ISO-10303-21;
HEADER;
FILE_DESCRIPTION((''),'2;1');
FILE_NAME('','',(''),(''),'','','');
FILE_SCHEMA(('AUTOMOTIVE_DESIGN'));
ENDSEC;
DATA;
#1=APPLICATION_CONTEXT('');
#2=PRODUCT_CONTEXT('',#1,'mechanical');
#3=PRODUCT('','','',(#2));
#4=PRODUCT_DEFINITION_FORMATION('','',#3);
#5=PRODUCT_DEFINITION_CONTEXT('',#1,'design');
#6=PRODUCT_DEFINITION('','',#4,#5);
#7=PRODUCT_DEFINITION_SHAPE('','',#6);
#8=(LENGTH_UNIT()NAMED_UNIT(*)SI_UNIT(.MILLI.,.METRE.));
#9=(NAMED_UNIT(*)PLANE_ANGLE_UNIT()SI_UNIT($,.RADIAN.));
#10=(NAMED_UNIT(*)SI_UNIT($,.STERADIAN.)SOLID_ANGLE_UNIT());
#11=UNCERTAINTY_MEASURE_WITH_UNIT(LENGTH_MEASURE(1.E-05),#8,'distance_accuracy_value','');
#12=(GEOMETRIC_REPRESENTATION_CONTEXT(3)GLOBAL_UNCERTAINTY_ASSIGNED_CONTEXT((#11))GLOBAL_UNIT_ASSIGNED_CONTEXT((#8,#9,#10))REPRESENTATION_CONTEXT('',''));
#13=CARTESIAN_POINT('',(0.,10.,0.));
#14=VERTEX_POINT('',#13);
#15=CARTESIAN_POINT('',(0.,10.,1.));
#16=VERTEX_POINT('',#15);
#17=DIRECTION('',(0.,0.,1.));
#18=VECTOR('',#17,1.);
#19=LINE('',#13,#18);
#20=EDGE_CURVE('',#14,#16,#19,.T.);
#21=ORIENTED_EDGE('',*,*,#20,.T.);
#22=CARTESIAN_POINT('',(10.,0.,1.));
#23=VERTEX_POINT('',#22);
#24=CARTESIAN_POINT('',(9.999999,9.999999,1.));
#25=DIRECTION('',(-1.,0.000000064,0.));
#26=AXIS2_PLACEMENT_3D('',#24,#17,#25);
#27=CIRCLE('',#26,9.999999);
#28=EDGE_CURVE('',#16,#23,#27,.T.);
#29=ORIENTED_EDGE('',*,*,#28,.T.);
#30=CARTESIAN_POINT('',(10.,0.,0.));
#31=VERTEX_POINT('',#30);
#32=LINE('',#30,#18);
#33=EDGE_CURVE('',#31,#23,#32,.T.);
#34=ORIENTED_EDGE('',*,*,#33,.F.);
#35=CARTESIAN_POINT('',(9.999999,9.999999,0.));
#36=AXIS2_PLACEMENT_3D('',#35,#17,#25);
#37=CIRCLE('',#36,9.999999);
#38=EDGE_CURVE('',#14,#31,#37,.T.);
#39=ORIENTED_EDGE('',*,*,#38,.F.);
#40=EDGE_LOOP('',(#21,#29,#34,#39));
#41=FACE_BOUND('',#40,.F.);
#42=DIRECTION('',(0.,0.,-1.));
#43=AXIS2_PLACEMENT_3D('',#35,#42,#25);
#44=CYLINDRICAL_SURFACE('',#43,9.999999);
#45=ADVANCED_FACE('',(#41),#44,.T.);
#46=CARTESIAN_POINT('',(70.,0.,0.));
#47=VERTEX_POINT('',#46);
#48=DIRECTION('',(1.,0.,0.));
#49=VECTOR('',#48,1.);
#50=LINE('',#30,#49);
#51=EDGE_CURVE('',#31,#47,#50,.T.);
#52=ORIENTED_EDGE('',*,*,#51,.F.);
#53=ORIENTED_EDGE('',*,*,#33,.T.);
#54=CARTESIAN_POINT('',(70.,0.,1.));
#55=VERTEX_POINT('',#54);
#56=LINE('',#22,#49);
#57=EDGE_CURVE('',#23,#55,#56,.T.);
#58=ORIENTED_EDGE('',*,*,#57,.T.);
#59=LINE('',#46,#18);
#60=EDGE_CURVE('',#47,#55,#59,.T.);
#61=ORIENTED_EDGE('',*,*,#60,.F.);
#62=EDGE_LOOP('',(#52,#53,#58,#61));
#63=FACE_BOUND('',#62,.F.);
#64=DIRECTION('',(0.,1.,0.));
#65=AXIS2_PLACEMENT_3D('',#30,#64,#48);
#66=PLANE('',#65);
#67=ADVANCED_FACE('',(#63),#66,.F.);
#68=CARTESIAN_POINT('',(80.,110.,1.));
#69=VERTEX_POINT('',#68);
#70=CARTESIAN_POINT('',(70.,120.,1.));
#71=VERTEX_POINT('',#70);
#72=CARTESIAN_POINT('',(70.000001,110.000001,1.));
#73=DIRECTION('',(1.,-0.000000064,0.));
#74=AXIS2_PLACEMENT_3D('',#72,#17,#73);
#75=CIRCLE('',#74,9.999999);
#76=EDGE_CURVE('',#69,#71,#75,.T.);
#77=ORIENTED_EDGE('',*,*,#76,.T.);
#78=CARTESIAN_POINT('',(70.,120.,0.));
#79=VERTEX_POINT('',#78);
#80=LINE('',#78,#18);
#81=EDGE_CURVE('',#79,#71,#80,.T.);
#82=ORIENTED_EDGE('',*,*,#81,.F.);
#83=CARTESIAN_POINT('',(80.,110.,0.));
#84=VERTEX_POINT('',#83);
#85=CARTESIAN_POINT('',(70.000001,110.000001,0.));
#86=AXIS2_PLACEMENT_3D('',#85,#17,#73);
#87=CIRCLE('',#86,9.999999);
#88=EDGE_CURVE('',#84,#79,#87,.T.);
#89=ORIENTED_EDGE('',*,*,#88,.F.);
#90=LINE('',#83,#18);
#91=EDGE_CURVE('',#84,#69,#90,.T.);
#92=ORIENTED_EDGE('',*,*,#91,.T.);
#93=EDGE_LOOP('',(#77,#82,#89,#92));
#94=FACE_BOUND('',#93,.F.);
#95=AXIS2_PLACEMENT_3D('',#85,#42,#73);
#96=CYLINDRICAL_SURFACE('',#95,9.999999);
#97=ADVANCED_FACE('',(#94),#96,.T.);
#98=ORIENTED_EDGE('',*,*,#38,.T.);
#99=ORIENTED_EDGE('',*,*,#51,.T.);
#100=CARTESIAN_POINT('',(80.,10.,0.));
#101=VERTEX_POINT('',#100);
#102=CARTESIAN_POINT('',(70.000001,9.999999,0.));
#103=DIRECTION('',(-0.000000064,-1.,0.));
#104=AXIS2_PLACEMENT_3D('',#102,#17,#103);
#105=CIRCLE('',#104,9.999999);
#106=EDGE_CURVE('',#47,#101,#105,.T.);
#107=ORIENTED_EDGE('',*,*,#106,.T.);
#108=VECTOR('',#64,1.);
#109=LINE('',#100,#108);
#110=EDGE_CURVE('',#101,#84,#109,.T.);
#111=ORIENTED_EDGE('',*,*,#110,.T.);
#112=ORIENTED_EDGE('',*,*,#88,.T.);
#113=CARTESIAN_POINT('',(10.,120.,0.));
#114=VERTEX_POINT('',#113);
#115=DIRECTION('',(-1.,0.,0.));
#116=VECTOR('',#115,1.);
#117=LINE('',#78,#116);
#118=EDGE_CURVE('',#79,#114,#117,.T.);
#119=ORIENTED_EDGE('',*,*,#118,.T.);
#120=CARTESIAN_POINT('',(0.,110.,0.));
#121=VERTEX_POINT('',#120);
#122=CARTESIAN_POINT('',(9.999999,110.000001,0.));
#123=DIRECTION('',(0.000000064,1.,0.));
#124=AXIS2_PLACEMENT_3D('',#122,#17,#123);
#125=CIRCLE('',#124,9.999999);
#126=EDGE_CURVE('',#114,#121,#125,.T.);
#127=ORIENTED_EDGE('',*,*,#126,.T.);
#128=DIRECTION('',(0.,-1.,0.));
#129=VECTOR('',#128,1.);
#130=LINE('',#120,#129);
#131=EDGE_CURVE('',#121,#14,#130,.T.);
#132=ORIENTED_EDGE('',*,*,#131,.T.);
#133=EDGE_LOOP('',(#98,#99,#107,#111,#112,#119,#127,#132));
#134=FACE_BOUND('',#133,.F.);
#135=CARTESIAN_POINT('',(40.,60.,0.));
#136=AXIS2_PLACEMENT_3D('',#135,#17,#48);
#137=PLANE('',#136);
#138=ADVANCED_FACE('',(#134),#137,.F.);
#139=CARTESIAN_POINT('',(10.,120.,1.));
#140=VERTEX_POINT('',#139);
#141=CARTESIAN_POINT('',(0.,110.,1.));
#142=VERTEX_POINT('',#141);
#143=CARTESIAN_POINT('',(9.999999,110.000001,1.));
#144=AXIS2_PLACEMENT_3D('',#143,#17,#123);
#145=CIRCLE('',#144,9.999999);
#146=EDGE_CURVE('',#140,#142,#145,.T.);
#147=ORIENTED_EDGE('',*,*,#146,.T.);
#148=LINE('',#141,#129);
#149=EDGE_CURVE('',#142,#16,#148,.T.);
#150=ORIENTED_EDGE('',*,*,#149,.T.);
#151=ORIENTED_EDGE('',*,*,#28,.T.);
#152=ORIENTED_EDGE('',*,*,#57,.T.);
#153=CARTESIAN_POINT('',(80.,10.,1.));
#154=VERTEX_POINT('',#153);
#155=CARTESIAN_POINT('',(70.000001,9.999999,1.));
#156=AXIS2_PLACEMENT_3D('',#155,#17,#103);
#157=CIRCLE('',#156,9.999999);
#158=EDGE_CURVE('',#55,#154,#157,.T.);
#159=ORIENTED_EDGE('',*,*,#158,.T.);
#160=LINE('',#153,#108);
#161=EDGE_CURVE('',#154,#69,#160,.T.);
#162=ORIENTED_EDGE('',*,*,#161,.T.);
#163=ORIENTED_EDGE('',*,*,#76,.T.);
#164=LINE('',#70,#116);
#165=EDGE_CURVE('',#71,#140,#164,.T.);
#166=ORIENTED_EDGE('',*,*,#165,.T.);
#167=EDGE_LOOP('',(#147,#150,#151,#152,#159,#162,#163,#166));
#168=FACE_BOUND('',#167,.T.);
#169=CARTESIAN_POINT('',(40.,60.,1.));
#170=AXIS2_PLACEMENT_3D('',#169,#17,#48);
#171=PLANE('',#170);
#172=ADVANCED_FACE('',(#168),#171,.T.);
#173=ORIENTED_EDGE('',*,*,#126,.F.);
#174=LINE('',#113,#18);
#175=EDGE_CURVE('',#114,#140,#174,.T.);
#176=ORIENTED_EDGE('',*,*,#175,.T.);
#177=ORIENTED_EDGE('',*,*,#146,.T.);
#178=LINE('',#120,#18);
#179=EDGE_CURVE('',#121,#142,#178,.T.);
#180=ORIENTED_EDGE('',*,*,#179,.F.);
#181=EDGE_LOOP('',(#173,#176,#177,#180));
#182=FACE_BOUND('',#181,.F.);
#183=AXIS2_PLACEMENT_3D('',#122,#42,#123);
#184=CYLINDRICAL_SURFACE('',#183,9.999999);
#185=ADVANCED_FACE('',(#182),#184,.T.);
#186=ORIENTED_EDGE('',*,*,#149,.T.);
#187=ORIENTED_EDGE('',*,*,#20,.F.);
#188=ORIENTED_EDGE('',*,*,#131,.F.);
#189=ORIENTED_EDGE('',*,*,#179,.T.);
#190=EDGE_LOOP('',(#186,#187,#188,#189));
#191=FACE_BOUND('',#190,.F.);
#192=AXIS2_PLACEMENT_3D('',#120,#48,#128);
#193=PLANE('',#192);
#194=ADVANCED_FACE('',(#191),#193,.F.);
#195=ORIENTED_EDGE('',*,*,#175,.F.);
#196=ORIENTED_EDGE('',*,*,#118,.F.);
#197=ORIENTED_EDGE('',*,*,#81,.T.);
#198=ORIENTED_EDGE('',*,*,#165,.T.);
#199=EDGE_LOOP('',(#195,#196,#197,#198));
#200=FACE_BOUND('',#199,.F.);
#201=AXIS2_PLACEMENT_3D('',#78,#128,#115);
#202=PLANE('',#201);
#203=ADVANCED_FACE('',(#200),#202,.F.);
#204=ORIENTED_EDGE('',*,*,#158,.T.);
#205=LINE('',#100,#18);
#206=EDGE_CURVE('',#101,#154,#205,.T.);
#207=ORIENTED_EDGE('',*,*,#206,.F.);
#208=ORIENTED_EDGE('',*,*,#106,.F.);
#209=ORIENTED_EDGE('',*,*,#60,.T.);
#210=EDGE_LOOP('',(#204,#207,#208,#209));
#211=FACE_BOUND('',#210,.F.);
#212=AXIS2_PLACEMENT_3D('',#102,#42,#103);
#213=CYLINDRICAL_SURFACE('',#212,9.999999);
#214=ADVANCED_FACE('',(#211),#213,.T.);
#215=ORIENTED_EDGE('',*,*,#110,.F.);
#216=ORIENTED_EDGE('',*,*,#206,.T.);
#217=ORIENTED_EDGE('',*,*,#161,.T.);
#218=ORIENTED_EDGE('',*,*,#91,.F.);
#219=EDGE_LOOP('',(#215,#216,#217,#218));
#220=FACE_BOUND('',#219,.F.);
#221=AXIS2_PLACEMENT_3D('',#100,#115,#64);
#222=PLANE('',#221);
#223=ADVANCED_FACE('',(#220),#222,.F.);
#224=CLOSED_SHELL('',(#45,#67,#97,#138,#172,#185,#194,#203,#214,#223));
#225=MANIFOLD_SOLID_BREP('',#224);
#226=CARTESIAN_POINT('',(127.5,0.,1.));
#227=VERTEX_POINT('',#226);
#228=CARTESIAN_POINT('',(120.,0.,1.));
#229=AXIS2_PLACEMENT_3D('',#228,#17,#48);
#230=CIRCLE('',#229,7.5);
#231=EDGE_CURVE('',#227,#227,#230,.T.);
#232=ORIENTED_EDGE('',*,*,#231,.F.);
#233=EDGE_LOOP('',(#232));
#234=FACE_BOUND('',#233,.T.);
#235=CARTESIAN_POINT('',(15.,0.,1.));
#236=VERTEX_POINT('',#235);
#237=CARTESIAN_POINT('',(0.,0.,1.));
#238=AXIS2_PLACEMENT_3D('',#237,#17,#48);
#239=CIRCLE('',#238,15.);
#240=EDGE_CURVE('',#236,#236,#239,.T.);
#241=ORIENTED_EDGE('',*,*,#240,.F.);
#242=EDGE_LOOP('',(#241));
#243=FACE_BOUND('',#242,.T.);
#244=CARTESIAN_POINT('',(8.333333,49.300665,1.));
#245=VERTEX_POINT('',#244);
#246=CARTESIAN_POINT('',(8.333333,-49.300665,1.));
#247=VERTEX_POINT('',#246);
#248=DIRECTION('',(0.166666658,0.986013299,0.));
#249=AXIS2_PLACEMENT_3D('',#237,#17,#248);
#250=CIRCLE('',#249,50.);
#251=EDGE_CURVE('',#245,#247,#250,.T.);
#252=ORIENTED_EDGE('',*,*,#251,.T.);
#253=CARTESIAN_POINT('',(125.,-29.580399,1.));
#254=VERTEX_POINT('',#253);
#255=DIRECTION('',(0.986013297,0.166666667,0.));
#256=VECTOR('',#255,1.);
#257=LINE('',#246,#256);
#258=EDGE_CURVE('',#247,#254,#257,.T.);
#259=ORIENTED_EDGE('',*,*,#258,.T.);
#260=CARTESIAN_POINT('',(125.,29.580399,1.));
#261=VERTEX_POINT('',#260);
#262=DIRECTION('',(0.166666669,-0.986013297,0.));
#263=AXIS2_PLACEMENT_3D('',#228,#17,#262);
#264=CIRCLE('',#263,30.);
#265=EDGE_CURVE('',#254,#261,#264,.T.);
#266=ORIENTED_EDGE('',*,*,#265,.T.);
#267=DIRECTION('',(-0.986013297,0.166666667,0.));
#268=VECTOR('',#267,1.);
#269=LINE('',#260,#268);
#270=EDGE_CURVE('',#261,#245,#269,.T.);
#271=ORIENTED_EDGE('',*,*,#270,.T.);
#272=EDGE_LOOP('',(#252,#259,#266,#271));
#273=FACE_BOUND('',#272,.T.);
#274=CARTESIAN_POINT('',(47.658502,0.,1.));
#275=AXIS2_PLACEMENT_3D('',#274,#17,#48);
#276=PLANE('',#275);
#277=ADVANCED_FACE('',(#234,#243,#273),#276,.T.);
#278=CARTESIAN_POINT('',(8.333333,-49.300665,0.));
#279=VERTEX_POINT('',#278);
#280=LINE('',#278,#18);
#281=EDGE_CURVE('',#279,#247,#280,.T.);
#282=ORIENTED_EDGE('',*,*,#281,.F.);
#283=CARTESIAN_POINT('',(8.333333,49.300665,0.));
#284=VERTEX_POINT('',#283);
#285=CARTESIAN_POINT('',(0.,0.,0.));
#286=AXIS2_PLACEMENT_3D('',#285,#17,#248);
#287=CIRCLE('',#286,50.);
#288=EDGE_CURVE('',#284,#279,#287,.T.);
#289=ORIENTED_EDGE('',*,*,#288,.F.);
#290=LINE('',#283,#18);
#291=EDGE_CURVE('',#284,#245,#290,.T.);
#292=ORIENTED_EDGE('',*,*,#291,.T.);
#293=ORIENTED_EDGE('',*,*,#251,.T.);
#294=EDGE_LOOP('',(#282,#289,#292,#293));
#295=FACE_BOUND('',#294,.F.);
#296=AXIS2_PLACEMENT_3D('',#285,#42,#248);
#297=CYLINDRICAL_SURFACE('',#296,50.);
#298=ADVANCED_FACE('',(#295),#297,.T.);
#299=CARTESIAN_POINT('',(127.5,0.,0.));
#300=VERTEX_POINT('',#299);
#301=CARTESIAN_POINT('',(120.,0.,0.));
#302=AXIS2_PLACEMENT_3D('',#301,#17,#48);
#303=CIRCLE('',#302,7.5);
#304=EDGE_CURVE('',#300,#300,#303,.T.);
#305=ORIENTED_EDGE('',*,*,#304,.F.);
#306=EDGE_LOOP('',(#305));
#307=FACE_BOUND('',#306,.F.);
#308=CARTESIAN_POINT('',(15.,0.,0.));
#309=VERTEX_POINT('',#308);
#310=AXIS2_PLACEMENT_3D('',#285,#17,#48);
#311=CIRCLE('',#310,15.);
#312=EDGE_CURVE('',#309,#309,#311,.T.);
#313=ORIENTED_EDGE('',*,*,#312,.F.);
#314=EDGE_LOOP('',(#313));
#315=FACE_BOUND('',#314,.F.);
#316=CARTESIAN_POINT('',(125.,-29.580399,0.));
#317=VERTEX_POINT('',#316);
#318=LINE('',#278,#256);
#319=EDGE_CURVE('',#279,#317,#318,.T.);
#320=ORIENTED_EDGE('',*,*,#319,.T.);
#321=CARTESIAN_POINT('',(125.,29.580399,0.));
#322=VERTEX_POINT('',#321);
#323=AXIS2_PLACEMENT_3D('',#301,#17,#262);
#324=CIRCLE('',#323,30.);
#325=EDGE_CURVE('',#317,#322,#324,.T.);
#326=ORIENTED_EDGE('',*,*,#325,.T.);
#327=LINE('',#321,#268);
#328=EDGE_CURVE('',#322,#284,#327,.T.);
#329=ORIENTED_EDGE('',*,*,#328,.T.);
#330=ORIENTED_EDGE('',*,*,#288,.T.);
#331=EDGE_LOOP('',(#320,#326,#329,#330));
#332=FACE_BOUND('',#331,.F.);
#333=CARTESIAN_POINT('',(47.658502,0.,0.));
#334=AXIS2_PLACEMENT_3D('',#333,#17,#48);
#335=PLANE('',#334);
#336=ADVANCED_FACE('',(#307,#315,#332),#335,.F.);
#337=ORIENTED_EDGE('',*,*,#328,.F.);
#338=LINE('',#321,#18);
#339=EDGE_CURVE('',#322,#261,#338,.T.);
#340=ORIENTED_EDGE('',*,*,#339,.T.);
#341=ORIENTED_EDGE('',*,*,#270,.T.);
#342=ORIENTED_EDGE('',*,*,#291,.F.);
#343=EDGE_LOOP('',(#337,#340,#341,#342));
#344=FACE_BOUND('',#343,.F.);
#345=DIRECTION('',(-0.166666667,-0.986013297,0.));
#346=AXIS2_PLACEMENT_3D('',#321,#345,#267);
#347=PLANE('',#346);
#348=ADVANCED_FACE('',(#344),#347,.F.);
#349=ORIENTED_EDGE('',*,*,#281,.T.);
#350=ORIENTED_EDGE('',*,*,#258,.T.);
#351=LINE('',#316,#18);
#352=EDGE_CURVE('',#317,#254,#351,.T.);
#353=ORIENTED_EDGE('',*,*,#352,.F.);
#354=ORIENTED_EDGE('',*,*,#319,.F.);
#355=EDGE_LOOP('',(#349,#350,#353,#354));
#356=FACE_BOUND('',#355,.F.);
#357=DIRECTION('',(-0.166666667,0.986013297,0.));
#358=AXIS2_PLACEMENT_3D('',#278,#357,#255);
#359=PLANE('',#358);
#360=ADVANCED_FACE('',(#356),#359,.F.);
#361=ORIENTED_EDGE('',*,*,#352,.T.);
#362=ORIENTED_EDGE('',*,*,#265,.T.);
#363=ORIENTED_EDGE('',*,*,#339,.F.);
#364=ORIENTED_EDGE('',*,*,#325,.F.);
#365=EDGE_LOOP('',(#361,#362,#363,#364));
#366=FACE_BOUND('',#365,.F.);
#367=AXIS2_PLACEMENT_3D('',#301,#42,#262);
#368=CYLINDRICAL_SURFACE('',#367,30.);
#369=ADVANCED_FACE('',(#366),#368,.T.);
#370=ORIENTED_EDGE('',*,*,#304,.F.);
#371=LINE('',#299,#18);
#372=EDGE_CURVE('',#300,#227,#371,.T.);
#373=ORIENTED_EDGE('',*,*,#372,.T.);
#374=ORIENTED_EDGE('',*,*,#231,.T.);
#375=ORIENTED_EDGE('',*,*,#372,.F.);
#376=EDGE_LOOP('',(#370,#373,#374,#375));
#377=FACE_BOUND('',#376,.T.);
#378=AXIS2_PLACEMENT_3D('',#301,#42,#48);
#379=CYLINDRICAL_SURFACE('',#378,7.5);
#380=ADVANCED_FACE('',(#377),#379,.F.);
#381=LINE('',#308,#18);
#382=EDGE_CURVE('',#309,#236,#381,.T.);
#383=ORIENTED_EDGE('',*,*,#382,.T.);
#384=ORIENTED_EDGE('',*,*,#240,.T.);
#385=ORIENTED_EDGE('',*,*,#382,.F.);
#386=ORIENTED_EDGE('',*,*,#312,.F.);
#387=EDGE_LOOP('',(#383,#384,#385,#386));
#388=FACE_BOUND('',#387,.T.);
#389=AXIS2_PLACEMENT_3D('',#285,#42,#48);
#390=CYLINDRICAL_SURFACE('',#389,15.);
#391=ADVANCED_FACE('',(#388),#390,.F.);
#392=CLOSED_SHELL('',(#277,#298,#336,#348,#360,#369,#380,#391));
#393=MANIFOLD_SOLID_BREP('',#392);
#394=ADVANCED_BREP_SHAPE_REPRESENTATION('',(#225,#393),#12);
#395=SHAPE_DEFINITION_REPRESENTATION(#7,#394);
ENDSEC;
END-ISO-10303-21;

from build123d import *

# Parameters (mm, degrees)
F1_DEPTH = 1
F2_R     = 15
F2_R_2   = 7.5
F3_DEPTH = 1


with BuildPart() as f1:
    # F0 (on Top) → F1 (new body)
    with BuildSketch(Plane.XY):
        with BuildLine():
            ThreePointArc((0, 10), (2.928932, 2.928932), (10, 0))
            Line((10, 0), (70, 0))
            ThreePointArc((70, 0), (77.071068, 2.928932), (80, 10))
            Line((80, 10), (80, 110))
            ThreePointArc((80, 110), (77.071068, 117.071068), (70, 120))
            Line((70, 120), (10, 120))
            ThreePointArc((10, 120), (2.928932, 117.071068), (0, 110))
            Line((0, 110), (0, 10))
        make_face()
    extrude(amount=F1_DEPTH)


with BuildPart() as f3:
    # F2 (on Top) → F3 (new body)
    with BuildSketch(Plane.XY):
        with BuildLine():
            Line((125, 29.580399), (8.333333, 49.300665))
            ThreePointArc((8.333333, 49.300665), (-50, 0), (8.333333, -49.300665))
            Line((8.333333, -49.300665), (125, -29.580399))
            ThreePointArc((125, -29.580399), (150, 0), (125, 29.580399))
        make_face()
        Circle(F2_R, mode=Mode.SUBTRACT)
        with Locations((120, 0)):
            Circle(F2_R_2, mode=Mode.SUBTRACT)
    extrude(amount=F3_DEPTH)


solid = Compound([f1.part, f3.part])
